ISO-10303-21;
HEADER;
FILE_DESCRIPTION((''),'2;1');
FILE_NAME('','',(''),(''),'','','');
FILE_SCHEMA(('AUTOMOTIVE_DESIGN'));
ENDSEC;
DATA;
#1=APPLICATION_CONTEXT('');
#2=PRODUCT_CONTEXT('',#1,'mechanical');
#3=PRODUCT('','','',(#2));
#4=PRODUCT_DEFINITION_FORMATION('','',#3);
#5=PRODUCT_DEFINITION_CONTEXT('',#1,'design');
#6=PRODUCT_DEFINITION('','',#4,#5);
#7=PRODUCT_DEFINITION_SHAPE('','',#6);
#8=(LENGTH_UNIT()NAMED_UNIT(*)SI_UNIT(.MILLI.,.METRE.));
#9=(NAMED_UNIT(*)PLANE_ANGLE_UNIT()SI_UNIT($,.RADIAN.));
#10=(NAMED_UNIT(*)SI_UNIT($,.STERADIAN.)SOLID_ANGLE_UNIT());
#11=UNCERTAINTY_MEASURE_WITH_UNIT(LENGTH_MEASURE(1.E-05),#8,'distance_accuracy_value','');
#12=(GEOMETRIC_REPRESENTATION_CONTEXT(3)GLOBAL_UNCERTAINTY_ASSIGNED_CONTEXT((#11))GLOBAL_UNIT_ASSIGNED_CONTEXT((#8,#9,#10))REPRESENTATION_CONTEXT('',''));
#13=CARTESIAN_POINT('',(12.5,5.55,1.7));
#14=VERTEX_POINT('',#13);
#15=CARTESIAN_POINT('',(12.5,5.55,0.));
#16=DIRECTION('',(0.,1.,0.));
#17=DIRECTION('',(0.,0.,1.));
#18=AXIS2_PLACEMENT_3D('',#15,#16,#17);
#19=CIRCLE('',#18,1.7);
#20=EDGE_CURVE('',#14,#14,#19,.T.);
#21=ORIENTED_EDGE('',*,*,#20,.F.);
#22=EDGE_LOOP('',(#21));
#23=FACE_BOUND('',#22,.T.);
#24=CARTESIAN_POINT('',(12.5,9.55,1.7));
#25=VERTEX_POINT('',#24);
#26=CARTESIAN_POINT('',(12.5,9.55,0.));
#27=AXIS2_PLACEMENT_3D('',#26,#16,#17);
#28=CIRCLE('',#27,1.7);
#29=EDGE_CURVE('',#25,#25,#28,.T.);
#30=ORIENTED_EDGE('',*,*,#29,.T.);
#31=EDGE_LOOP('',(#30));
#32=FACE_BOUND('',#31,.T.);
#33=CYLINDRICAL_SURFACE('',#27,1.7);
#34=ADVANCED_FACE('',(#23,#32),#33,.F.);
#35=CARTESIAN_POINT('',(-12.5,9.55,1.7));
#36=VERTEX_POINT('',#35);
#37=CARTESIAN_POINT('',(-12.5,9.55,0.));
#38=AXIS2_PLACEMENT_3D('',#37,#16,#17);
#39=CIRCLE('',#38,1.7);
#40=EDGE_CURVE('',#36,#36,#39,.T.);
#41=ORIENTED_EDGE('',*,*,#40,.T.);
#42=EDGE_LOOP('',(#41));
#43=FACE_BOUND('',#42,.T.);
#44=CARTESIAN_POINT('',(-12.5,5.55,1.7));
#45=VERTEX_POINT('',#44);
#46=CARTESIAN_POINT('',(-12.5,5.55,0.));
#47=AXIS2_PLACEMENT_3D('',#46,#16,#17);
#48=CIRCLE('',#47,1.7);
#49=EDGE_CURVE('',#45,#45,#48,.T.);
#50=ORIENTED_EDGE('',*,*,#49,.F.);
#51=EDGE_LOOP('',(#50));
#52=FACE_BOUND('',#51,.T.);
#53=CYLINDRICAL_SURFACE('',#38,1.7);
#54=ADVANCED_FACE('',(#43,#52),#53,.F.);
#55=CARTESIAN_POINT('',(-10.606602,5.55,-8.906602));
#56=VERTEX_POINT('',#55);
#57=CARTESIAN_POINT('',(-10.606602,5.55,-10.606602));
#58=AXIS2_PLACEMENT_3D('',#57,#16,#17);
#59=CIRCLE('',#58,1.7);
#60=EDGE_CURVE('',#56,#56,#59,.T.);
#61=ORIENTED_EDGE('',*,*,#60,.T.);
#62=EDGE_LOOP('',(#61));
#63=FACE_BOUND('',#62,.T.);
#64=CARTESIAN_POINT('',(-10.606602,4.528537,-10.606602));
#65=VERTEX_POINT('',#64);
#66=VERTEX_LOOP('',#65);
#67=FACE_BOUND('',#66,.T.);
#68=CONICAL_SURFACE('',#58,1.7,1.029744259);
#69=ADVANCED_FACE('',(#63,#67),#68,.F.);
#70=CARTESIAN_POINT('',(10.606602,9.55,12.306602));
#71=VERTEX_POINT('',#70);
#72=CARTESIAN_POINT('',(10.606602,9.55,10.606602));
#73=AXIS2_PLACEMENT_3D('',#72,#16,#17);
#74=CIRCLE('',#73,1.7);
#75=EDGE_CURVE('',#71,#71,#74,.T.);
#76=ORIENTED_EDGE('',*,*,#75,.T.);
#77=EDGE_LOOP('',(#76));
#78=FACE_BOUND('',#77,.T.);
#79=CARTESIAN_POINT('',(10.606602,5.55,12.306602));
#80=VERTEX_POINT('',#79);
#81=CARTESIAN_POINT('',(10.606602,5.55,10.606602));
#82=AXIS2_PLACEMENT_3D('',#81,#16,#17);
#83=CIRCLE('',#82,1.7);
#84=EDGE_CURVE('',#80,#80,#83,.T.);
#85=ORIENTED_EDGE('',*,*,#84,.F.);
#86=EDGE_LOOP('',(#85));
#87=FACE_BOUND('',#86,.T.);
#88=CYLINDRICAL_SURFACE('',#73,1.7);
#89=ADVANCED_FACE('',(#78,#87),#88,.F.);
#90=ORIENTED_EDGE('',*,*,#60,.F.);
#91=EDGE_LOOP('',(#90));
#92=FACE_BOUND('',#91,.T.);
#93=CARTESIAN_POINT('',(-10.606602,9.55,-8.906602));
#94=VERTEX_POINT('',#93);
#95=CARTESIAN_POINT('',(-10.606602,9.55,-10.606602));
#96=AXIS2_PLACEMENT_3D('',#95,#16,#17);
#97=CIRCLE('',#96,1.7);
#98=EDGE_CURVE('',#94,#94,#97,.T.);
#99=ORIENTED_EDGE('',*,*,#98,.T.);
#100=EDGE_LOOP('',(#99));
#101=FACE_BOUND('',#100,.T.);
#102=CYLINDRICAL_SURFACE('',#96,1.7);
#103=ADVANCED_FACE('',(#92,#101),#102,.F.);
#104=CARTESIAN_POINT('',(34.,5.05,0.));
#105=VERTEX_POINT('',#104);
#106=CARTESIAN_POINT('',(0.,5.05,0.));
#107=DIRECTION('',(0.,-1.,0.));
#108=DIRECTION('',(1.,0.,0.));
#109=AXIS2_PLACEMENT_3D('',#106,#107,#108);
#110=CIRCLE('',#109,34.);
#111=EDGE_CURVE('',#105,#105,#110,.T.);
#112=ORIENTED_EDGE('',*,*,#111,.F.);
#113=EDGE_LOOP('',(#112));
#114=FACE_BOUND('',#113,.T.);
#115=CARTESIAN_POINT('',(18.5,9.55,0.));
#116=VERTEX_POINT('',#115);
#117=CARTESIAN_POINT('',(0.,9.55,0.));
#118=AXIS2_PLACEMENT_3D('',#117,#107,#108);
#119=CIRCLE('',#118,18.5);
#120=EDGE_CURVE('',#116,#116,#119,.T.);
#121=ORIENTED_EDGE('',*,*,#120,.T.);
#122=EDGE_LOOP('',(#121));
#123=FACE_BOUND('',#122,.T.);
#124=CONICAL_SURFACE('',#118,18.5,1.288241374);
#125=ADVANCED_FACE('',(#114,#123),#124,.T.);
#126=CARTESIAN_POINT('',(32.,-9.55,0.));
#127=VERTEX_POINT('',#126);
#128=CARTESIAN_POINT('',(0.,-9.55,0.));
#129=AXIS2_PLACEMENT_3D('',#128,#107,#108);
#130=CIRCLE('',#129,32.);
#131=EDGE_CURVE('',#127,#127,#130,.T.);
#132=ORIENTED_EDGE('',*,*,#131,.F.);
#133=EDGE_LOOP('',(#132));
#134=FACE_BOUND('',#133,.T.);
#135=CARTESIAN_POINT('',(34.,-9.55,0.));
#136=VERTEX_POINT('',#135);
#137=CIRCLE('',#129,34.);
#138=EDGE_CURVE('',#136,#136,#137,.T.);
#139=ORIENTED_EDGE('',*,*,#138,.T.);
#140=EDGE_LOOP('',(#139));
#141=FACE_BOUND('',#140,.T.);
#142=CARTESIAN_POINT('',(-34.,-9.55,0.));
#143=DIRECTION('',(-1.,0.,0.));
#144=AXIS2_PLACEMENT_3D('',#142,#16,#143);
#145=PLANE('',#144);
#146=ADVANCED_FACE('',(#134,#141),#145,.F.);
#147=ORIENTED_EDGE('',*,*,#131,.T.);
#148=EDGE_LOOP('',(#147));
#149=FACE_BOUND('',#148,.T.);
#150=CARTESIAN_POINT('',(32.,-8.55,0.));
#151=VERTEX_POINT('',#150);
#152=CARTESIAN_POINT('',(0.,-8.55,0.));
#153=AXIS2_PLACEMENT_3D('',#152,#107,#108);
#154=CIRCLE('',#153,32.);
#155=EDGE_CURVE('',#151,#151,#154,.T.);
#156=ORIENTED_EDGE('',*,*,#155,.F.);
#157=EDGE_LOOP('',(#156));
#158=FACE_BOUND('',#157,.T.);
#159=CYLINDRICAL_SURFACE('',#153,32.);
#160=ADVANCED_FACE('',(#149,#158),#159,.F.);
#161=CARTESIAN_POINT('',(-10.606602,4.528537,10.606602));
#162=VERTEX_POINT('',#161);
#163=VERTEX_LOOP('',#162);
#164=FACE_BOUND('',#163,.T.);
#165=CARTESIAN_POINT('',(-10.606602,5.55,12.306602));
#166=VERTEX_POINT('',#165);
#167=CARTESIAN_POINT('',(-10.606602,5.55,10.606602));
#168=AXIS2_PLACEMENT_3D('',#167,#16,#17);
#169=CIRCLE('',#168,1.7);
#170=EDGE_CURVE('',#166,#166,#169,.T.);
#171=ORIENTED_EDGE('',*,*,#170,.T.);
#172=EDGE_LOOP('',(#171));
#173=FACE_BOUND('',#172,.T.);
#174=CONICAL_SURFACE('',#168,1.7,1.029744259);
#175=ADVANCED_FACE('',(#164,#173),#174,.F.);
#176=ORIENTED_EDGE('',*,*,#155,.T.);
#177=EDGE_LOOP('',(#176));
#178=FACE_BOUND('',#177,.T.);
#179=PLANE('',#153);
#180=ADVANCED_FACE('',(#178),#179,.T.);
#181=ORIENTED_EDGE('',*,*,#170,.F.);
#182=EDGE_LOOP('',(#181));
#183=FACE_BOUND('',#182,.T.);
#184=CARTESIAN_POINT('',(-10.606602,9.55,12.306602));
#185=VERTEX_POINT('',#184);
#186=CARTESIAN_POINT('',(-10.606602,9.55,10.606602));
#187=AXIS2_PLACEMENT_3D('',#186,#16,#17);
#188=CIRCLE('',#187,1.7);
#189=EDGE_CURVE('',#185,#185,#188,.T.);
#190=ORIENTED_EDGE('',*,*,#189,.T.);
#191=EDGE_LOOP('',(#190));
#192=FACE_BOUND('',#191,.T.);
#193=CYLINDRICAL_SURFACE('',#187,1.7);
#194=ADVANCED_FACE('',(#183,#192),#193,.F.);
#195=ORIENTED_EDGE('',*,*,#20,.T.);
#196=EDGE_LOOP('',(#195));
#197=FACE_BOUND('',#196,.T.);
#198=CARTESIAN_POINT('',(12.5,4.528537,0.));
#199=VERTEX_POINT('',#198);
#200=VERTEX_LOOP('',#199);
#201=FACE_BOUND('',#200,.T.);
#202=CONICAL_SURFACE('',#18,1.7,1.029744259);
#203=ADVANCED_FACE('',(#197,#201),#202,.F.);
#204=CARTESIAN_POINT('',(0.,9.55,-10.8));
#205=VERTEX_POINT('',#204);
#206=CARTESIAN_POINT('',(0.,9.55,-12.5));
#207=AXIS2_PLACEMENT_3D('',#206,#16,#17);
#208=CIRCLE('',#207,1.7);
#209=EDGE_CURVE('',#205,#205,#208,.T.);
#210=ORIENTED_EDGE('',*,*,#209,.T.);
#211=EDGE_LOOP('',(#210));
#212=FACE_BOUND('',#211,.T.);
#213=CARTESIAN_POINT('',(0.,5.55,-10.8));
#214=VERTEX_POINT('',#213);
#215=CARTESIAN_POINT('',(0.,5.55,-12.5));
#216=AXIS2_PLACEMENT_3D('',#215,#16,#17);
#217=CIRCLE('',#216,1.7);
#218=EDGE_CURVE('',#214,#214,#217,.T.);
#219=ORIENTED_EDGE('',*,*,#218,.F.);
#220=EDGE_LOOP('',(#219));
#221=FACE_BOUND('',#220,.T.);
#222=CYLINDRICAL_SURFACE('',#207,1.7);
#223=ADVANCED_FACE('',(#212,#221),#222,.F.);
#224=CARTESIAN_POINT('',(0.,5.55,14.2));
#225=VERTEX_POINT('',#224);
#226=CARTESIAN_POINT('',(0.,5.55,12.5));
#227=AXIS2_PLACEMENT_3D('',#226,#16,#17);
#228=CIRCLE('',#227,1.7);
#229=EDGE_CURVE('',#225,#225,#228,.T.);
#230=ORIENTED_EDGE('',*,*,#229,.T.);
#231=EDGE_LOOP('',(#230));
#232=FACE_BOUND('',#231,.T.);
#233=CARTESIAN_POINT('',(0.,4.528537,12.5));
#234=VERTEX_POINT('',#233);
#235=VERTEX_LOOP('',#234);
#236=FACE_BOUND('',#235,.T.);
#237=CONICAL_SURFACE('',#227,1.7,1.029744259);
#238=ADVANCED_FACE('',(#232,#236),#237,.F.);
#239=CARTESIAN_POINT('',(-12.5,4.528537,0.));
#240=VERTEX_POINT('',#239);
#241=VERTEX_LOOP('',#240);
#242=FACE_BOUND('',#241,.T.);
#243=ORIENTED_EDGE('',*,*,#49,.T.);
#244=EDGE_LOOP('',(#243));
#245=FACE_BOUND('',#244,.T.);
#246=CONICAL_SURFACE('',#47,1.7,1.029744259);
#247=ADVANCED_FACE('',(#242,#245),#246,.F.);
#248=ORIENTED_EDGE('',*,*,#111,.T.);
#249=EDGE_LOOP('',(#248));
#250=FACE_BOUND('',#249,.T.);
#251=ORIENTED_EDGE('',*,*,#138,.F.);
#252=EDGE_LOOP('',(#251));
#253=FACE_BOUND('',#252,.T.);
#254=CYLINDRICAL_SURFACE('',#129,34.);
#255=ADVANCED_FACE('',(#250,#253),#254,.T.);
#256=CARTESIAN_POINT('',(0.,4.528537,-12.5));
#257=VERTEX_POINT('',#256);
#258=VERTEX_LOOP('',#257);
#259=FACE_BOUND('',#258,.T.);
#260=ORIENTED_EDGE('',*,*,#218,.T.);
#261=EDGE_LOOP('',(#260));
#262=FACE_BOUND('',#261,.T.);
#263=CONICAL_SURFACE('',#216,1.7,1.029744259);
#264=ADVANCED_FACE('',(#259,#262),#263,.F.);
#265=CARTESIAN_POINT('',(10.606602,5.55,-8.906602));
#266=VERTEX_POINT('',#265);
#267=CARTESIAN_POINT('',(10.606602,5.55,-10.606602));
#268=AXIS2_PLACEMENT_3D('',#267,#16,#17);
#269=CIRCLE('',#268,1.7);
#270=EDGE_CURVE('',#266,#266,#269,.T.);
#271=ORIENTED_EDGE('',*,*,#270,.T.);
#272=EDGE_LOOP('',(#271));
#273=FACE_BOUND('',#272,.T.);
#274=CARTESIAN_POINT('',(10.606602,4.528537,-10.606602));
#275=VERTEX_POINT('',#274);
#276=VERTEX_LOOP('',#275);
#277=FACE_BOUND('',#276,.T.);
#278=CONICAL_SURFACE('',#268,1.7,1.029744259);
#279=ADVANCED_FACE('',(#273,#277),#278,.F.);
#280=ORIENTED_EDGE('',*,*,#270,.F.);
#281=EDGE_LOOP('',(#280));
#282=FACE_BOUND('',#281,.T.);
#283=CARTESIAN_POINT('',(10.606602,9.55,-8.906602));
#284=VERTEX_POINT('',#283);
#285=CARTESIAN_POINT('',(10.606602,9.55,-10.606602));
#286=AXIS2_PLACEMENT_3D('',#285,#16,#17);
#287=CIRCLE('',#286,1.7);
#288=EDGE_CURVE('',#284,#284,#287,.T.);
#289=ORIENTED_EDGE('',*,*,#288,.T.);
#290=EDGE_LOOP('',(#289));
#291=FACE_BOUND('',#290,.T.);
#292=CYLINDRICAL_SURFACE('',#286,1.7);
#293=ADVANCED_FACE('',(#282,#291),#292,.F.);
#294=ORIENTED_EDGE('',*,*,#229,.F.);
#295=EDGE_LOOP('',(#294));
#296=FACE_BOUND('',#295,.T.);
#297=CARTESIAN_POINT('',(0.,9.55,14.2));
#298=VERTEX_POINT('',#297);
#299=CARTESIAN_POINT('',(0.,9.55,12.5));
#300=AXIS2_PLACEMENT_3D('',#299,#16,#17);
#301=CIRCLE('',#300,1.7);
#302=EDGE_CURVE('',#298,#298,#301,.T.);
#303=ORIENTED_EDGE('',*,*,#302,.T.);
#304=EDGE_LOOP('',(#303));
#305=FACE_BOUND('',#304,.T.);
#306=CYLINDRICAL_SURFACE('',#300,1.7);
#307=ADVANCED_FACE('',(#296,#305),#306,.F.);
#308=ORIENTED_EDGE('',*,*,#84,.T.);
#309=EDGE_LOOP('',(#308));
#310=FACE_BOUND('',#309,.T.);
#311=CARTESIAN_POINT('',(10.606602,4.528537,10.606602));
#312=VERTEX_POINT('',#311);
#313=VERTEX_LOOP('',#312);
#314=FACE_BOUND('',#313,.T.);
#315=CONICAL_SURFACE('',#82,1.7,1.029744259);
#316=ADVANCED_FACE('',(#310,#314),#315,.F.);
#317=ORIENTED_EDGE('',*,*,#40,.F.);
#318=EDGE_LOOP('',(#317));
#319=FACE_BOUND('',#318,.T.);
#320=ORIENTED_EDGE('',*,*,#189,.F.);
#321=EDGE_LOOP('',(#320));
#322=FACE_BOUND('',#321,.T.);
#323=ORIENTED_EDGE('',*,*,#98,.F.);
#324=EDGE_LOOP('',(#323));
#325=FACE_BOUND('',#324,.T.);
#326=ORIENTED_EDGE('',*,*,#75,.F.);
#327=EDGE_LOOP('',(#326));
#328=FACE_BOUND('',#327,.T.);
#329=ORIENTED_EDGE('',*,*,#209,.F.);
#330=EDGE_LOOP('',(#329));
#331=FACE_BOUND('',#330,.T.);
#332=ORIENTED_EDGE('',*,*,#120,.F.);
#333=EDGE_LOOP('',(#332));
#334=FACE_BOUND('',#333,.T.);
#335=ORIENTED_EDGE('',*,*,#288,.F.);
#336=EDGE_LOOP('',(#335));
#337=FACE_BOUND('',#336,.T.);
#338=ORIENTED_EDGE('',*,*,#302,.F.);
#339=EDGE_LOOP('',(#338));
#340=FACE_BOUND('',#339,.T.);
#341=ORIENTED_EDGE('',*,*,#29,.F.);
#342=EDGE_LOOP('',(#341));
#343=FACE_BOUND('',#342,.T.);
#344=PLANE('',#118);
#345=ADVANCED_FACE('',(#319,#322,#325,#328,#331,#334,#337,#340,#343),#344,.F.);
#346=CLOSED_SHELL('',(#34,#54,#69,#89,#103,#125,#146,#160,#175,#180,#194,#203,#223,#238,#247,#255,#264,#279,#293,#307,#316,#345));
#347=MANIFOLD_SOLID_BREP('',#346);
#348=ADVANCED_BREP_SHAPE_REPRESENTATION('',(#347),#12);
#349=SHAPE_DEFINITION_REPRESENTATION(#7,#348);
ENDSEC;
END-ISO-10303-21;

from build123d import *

# Parameters (mm, degrees)
M3_CLEARANCE_HOLE1_D     = 3.4
M3_CLEARANCE_HOLE1_DEPTH = 4
M3_CLEARANCE_HOLE1_TIP   = 1.021463052
SKETCH5_R                = 32
CUT_EXTRUDE1_DEPTH       = 1


with BuildPart() as part:
    # Sketch1 → Revolve1 (revolve)
    with BuildSketch(Plane.XY, mode=Mode.PRIVATE) as revolve1_sk:
        Polygon((0, -9.55), (0, 9.55), (-18.5, 9.55), (-34, 5.05), (-34, -9.55), align=None)
    revolve(revolve1_sk.sketch.rotate(Axis((0, -9.55, 0), (0, 1, 0)), 180), axis=Axis((0, -9.55, 0), (0, 1, 0)))

    # M3 Clearance Hole1
    with Locations(Plane(origin=(0, 9.55, 0), x_dir=(1, 0, 0), z_dir=(0, 1, 0))):
        with Locations((-10.606601718, 10.606601718), (0, 12.5), (10.606601718, 10.606601718), (12.5, 0), (10.606601718, -10.606601718), (-10.606601718, -10.606601718), (-12.5, 0), (0, -12.5)):
            Hole(M3_CLEARANCE_HOLE1_D / 2, depth=M3_CLEARANCE_HOLE1_DEPTH)
            with Locations((0, 0, -(M3_CLEARANCE_HOLE1_DEPTH + M3_CLEARANCE_HOLE1_TIP / 2))):  # 118° drill point
                Cone(0, M3_CLEARANCE_HOLE1_D / 2, M3_CLEARANCE_HOLE1_TIP, mode=Mode.SUBTRACT)

    # Sketch5 → Cut-Extrude1 (cut)
    with BuildSketch(Plane.XZ.offset(9.55)):
        Circle(SKETCH5_R)
    extrude(amount=-CUT_EXTRUDE1_DEPTH, mode=Mode.SUBTRACT)


solid = part.part
